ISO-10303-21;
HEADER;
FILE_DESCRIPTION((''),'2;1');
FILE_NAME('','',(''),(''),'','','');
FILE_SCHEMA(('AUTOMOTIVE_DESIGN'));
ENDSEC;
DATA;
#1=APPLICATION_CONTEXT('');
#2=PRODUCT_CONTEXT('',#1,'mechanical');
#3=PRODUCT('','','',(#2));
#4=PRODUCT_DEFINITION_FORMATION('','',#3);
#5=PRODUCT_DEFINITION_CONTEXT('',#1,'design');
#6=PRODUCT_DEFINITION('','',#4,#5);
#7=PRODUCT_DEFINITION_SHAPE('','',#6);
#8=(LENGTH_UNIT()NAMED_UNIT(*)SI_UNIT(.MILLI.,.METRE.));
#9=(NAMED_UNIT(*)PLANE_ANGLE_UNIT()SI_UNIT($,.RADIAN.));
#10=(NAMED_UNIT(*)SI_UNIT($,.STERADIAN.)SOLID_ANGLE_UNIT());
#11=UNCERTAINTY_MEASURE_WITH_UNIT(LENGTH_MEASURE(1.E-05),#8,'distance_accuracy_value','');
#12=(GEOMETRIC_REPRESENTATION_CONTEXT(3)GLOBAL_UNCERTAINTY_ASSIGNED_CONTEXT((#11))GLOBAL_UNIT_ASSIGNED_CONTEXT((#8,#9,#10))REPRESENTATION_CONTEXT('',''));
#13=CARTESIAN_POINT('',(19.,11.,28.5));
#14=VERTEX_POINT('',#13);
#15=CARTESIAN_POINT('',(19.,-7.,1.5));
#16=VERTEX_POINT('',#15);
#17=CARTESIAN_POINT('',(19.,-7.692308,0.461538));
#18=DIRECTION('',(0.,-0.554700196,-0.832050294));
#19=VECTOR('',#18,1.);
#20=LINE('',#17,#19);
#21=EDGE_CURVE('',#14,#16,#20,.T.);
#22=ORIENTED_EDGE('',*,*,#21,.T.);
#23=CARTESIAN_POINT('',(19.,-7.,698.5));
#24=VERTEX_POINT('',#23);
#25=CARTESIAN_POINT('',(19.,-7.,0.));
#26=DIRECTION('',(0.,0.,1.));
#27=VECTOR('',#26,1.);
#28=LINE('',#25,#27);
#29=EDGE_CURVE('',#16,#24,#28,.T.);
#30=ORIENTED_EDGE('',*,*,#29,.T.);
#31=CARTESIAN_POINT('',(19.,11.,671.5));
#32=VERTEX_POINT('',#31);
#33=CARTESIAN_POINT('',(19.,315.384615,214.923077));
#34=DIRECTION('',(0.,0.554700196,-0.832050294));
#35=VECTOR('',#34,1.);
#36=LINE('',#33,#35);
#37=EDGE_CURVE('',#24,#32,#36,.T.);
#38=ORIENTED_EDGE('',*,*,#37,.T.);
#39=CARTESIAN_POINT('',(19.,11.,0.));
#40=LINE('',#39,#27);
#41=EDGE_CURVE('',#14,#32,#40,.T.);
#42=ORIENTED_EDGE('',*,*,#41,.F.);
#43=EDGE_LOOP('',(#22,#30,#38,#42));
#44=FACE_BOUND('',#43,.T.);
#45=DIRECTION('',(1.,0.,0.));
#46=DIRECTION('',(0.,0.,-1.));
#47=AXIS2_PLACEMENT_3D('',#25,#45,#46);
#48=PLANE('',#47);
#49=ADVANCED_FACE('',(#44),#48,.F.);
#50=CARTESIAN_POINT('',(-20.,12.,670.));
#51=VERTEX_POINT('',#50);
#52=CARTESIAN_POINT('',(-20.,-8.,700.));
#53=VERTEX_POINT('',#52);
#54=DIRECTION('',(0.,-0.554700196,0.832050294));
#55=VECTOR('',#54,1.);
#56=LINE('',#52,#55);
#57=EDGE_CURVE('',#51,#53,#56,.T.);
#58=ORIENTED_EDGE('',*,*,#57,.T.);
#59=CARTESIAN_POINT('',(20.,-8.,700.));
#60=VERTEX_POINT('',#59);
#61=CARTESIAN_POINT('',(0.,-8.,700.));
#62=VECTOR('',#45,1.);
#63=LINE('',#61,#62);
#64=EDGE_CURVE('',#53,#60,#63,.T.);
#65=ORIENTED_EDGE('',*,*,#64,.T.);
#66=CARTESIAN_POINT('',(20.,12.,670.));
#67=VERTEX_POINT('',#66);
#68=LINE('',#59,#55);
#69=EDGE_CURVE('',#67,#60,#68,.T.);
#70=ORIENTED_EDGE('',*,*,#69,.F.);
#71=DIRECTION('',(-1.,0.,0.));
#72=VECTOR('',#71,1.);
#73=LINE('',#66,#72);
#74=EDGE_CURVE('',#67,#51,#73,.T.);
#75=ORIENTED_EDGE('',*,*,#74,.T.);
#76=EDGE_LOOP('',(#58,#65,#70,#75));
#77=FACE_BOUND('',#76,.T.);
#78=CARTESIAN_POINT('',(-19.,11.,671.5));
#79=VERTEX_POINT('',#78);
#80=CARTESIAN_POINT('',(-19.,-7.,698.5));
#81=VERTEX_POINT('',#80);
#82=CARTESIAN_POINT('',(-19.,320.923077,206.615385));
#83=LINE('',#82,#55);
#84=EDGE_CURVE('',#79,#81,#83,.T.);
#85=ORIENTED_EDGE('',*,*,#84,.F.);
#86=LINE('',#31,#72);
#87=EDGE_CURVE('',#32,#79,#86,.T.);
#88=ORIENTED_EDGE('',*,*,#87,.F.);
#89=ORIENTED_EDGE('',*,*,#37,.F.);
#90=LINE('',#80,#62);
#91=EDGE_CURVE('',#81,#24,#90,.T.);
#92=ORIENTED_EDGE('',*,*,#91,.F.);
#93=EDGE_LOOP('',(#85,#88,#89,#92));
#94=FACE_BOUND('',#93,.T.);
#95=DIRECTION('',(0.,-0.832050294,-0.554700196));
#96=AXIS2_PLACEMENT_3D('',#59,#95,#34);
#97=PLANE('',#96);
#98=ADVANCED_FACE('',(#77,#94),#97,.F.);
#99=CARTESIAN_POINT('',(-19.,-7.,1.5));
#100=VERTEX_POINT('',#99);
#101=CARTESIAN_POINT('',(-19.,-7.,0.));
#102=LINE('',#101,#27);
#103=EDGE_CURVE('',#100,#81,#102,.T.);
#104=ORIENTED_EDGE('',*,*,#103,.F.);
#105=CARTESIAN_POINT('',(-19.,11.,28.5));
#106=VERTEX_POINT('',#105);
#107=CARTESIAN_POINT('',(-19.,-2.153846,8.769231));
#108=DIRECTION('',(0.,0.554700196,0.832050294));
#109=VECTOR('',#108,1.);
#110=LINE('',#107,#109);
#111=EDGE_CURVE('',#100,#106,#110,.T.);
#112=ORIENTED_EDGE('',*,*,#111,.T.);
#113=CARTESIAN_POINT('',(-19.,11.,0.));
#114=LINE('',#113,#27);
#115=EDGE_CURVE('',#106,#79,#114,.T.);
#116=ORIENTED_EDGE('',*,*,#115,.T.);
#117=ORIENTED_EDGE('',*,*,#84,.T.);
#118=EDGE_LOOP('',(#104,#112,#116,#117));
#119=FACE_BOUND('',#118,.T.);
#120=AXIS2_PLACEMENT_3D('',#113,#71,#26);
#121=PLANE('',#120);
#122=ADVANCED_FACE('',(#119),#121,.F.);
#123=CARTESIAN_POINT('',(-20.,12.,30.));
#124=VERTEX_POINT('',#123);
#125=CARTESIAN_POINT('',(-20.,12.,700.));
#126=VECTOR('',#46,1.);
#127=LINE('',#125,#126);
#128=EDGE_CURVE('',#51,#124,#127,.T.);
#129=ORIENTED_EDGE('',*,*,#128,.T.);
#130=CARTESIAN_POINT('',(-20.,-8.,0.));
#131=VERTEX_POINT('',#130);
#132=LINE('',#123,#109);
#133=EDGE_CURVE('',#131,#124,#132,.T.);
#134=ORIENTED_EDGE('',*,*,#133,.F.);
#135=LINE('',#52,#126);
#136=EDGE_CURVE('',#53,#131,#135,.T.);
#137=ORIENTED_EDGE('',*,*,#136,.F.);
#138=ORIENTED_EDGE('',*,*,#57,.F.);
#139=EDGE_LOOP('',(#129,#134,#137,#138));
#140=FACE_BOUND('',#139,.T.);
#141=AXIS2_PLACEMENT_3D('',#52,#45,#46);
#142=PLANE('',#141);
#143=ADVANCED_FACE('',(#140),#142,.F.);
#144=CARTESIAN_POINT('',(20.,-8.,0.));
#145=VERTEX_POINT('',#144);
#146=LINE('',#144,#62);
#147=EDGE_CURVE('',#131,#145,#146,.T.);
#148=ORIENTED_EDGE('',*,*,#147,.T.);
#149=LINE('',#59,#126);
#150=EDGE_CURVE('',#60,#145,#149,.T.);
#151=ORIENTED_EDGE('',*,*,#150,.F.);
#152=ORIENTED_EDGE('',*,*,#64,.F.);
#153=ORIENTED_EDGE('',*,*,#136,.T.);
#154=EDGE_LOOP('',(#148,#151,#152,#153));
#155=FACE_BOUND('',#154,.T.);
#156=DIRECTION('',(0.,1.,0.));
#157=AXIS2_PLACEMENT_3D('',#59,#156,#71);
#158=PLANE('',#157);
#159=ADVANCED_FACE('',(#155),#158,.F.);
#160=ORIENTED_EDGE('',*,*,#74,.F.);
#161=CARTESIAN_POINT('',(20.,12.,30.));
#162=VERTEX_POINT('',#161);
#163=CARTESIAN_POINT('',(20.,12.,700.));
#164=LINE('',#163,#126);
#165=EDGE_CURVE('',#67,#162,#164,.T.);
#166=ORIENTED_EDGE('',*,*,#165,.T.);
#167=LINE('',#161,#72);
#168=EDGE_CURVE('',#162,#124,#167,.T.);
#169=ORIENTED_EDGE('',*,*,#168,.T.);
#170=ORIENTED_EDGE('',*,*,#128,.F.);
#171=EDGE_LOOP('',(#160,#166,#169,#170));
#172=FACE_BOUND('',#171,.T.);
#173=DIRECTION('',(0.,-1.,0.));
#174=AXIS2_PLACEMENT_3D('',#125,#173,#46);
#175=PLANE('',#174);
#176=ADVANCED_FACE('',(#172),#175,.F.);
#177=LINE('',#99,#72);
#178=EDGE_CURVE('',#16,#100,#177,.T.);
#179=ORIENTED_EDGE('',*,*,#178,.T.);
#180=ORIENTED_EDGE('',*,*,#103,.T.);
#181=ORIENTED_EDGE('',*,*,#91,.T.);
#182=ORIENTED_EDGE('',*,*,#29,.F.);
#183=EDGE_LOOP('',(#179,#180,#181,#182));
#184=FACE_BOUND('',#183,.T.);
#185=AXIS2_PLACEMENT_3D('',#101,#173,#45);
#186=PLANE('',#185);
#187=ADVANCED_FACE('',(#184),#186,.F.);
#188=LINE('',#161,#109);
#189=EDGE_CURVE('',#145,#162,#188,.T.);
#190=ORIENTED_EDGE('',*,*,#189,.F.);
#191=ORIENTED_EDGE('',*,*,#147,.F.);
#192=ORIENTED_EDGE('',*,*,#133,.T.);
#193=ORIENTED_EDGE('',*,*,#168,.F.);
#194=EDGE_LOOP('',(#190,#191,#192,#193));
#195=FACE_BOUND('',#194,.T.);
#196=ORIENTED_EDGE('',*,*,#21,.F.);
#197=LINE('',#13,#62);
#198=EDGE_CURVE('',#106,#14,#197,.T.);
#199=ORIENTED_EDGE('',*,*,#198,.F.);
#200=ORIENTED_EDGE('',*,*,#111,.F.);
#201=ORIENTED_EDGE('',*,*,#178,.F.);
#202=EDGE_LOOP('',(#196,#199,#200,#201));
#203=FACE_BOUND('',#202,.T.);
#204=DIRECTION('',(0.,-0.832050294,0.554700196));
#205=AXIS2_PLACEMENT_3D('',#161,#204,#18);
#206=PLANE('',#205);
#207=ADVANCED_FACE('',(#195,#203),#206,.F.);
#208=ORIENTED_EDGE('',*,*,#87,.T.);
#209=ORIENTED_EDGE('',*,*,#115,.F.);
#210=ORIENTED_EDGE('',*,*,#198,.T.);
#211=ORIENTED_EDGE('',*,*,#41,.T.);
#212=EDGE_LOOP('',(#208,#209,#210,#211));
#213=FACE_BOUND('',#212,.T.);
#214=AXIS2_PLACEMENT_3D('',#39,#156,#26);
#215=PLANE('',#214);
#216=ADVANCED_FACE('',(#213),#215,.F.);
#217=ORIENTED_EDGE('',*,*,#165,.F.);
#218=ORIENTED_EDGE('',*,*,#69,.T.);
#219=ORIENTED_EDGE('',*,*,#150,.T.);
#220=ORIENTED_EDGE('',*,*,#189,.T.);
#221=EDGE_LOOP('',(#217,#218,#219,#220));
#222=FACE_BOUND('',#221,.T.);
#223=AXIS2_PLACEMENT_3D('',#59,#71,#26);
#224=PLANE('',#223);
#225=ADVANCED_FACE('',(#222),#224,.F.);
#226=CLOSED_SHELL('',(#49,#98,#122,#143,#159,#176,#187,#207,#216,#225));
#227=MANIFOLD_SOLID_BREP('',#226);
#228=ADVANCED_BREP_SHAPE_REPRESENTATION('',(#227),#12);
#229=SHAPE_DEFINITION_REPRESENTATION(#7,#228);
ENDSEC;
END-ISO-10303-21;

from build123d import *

# Parameters (mm, degrees)
BOSS_EXTRUDE1_DEPTH = 700
SKETCH4_W           = 38
SKETCH4_H           = 18
CUT_EXTRUDE2_DEPTH  = 701
CUT_EXTRUDE1_DEPTH  = 41


with BuildPart() as part:
    # Sketch1 → Boss-Extrude1 (new body)
    with BuildSketch(Plane.XY):
        Polygon((20, -8), (0, -8), (-20, -8), (-20, 12), (20, 12), align=None)
    extrude(amount=BOSS_EXTRUDE1_DEPTH)

    # Sketch4 → Cut-Extrude2 (cut, through all)
    with BuildSketch(Plane.XY.offset(700)):
        with Locations((0, 2)):
            Rectangle(SKETCH4_W, SKETCH4_H)
    extrude(amount=-CUT_EXTRUDE2_DEPTH, mode=Mode.SUBTRACT)

    # Sketch3 → Cut-Extrude1 (cut, through all)
    with BuildSketch(Plane.ZY.offset(20)):
        Polygon((0, 12), (30, 12), (0, -8), align=None)
        Polygon((670, 12), (700, 12), (700, -8), align=None)
    extrude(amount=-CUT_EXTRUDE1_DEPTH, mode=Mode.SUBTRACT)


solid = part.part
